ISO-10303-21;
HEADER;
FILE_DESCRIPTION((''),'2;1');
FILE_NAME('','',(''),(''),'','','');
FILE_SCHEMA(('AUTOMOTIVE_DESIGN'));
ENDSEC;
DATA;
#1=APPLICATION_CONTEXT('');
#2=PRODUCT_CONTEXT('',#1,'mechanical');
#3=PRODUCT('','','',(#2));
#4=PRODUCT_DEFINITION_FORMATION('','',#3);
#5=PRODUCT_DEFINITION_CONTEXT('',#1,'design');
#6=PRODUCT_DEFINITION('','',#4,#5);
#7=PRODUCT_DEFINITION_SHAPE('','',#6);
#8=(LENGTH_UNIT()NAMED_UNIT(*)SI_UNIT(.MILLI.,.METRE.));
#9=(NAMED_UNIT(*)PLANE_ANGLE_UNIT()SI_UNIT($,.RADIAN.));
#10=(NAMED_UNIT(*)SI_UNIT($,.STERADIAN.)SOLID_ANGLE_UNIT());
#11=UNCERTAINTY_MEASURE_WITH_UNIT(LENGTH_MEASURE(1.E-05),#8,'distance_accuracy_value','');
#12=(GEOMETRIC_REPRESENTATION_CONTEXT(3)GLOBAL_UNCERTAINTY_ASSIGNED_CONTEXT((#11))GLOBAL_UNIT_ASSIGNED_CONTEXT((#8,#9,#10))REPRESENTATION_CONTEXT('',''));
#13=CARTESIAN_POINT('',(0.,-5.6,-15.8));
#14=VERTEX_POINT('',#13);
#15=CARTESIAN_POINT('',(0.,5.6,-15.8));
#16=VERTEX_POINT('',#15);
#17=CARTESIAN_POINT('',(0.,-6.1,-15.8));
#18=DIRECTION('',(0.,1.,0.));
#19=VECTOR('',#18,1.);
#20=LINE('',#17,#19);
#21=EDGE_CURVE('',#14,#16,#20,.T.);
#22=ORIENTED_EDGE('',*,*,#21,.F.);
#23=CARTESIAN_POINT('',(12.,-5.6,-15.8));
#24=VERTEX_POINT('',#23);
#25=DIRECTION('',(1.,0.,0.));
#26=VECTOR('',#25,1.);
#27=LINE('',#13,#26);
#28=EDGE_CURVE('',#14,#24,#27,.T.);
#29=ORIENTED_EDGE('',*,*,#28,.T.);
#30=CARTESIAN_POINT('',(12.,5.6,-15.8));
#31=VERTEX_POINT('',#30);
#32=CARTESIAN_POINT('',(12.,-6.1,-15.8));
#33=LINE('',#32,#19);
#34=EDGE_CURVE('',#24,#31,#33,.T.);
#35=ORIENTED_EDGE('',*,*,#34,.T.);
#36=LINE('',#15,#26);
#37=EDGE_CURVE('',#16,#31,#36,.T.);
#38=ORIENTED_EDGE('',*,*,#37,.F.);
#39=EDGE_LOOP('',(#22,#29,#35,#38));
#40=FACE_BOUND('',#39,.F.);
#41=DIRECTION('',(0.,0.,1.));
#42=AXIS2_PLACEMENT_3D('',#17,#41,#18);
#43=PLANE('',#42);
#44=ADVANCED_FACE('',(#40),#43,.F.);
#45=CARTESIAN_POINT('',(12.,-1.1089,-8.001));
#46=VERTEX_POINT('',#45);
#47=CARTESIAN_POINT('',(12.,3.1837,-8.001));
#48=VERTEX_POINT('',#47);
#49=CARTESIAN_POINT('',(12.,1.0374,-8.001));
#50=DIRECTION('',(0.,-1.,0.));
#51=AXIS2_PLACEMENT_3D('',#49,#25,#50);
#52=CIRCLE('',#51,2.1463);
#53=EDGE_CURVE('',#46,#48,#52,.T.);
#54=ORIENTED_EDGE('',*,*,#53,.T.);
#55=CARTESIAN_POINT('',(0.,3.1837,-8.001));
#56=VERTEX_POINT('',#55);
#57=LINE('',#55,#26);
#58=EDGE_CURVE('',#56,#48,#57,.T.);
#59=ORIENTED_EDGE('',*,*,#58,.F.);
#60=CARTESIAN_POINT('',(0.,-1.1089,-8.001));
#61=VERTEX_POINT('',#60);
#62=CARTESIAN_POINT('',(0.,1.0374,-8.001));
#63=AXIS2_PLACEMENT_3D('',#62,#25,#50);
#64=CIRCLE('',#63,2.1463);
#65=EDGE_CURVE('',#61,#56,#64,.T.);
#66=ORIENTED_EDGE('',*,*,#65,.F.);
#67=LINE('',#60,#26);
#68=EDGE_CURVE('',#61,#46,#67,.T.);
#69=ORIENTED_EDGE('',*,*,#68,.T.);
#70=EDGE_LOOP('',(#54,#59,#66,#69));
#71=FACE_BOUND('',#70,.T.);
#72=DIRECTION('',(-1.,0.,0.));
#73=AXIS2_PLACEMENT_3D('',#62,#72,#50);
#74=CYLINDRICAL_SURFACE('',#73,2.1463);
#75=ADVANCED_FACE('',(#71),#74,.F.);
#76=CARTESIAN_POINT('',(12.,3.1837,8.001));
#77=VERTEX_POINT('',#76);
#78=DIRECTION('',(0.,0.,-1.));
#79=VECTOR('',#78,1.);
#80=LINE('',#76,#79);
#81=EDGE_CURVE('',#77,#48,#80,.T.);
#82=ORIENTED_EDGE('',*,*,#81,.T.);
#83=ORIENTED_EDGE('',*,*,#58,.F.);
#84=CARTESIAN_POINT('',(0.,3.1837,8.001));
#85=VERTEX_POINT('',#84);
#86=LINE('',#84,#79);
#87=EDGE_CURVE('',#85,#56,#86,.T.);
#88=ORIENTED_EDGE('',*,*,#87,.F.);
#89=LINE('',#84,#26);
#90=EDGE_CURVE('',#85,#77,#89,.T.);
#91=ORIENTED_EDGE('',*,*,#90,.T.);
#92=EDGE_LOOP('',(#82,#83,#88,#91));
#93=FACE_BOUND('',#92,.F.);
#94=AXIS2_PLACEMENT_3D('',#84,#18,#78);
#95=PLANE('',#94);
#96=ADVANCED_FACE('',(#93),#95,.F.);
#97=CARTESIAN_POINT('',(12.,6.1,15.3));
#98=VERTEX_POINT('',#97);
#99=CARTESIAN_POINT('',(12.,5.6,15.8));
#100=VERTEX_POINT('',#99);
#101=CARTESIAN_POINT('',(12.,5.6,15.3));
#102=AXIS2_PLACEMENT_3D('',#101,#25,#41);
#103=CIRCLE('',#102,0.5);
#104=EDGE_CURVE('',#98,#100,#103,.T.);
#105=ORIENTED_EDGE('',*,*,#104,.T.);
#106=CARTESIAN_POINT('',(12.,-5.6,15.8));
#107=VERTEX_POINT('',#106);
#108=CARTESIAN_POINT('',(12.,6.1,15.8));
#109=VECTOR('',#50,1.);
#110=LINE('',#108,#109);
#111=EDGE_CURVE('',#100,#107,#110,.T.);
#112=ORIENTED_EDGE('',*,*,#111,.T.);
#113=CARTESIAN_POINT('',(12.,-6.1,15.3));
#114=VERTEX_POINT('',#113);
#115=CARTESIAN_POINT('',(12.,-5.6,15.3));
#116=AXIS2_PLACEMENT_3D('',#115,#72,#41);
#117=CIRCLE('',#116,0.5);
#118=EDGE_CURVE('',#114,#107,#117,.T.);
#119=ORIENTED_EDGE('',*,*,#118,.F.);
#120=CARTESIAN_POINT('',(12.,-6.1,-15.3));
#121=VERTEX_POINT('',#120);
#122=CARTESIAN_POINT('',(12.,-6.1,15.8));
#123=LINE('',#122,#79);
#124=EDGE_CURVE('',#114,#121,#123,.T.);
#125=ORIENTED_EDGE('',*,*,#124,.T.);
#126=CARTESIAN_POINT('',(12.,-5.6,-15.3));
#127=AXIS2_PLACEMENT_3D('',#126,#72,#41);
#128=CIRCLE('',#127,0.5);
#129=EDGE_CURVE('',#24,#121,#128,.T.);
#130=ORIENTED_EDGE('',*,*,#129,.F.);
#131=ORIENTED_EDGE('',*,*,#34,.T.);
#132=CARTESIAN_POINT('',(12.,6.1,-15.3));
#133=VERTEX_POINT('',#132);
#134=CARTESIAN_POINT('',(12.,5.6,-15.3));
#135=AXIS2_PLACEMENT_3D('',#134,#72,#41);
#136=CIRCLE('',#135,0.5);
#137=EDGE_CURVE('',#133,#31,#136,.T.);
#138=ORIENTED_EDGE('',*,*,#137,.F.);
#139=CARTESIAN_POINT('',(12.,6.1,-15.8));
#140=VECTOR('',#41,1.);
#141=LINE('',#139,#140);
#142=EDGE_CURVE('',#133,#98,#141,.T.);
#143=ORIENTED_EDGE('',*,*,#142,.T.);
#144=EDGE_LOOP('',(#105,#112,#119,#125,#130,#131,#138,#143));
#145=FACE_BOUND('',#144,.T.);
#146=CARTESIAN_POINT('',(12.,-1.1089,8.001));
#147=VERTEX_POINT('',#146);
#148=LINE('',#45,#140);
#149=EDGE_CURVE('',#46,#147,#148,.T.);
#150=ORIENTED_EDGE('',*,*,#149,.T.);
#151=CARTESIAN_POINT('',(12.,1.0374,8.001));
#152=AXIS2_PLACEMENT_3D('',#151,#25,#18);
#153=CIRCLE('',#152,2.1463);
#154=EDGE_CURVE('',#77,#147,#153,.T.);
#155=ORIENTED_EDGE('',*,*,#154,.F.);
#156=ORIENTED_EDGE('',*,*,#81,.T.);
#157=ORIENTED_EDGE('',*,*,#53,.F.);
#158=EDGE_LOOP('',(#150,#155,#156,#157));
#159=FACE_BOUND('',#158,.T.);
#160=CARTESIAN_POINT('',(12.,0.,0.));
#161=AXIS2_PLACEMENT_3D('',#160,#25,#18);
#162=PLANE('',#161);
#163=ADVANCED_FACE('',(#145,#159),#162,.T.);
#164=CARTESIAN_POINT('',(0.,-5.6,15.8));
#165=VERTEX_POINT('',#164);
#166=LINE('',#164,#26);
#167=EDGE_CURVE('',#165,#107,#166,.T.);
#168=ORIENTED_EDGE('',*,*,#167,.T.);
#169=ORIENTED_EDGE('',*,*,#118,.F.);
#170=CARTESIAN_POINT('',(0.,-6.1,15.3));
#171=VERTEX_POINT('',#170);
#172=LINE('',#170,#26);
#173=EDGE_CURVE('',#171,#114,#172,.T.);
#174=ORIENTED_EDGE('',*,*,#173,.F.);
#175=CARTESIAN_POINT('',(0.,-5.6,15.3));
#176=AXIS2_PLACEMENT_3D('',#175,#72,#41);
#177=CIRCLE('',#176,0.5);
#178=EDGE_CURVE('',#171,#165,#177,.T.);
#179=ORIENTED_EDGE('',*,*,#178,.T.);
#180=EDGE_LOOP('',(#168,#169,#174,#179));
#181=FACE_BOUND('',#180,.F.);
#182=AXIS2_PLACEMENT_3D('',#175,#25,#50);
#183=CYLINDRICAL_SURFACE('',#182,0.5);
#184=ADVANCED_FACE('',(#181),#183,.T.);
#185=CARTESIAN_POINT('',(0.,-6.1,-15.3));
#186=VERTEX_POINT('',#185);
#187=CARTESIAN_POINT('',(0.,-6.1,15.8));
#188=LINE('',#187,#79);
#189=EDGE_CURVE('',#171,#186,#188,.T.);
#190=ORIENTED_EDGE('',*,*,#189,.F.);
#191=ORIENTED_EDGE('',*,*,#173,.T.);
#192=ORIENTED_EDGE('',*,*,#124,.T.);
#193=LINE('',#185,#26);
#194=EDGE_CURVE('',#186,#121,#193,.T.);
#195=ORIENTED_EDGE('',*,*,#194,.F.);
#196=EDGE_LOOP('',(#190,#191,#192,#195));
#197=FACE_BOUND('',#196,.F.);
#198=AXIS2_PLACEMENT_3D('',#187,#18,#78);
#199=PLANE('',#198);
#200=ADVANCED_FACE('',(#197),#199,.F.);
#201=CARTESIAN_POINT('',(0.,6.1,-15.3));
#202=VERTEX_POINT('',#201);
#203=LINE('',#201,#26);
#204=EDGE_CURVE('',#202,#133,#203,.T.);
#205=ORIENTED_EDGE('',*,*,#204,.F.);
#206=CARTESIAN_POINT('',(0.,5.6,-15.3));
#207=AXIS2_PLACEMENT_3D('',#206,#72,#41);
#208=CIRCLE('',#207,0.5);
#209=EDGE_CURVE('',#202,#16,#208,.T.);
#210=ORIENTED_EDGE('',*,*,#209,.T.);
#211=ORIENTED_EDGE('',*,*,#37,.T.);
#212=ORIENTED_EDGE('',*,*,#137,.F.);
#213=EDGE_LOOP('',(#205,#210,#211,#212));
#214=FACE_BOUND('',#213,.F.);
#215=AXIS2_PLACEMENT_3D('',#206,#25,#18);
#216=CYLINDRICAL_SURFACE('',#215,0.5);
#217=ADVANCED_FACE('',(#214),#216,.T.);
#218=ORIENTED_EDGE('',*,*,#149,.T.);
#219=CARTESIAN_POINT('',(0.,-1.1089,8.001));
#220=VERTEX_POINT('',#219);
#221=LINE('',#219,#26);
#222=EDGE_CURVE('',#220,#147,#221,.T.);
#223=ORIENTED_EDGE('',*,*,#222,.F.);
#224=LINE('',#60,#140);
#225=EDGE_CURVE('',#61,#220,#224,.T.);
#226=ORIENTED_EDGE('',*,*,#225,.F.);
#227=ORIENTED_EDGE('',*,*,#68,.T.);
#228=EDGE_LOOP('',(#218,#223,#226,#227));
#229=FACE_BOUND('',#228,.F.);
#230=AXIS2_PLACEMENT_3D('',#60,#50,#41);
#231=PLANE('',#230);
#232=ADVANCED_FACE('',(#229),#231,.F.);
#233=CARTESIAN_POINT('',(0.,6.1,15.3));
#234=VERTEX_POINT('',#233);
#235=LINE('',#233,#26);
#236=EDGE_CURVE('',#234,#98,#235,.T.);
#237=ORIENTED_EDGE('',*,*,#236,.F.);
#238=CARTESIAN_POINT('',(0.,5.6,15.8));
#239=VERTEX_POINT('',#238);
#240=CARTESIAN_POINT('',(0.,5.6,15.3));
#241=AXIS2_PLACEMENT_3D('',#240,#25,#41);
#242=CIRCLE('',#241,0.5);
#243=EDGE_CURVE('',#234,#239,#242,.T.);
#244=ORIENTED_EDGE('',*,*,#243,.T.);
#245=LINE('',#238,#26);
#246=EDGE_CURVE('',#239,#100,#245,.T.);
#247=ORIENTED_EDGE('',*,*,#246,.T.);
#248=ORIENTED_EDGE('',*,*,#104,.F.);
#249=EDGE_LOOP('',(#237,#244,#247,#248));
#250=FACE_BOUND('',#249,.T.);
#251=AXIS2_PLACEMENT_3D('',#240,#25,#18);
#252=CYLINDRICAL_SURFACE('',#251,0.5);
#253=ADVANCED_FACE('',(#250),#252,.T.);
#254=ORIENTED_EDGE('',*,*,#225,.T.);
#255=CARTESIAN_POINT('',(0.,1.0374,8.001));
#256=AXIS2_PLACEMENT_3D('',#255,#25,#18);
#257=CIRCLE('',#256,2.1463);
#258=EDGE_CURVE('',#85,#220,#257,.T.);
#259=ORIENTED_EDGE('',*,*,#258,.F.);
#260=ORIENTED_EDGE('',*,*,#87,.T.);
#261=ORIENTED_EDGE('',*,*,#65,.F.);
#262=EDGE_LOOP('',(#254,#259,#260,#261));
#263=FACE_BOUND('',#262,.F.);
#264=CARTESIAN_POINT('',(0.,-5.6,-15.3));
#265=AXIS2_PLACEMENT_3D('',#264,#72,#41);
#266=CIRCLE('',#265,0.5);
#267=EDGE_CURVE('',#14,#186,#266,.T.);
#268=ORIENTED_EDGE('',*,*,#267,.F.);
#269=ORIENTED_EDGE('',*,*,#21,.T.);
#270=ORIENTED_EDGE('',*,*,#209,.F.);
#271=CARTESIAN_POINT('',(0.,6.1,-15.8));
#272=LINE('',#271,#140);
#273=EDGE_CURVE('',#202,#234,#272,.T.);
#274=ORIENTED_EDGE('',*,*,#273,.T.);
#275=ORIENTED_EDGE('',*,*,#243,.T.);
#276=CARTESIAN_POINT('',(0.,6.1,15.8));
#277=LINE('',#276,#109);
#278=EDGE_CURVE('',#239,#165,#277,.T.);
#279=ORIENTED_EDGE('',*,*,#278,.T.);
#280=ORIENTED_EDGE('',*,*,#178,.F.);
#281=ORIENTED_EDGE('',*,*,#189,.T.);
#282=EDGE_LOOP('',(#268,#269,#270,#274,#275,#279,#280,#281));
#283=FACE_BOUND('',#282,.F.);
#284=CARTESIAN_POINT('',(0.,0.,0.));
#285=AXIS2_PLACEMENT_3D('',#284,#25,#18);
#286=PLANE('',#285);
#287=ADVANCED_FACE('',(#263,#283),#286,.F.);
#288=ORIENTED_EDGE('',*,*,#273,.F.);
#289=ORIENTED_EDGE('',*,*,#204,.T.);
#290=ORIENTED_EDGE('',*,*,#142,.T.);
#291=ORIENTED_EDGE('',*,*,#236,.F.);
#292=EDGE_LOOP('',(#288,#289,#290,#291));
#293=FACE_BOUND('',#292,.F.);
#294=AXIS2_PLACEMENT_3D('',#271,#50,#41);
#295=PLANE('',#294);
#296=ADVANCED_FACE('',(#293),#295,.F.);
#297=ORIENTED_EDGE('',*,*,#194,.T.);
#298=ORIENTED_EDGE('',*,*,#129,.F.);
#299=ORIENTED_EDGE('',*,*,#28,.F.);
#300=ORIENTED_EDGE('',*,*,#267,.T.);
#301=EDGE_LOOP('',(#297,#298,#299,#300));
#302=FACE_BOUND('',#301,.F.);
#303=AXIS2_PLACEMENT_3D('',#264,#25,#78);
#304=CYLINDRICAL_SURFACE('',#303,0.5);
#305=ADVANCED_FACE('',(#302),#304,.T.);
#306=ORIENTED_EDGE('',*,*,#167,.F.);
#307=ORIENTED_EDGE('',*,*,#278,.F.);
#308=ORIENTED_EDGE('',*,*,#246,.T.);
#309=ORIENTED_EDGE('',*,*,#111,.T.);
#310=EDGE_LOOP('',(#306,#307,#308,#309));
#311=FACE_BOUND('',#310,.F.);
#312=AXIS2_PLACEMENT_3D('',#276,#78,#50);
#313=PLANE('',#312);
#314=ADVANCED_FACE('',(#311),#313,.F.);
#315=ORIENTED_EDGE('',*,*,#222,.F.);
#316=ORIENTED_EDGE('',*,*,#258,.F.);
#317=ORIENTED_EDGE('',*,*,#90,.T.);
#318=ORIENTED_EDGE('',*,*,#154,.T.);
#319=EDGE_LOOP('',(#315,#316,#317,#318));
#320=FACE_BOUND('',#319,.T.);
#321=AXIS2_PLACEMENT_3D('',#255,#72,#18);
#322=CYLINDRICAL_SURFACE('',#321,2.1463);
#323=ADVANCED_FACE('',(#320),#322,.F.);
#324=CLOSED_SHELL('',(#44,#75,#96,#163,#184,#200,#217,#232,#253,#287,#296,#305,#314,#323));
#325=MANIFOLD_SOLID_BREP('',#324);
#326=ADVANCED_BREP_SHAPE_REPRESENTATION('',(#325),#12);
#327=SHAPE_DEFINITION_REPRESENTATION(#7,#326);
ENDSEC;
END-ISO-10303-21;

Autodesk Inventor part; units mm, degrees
ref_plane "YZ Plane" through (0, 0, 0) normal (1, 0, 0) x (0, 1, 0)
ref_plane "XZ Plane" through (0, 0, 0) normal (0, 1, 0) x (-1, 0, 0)
ref_plane "XY Plane" through (0, 0, 0) normal (0, 0, 1) x (1, 0, 0)
sketch "Sketch1" plane through (0, 0, 0) normal (1, 0, 0) x (0, 1, 0)
  line L0 (6.1, 15.8) -> (-6.1, 15.8)
  line L1 (-6.1, 15.8) -> (-6.1, -15.8)
  line L2 (-6.1, -15.8) -> (6.1, -15.8)
  line L3 (6.1, -15.8) -> (6.1, 15.8)
  line L4 (6.1, 15.8) -> (-6.1, -15.8) construction
  line L5 (-6.1, 15.8) -> (6.1, -15.8) construction
  line L6 (1.0374, 8.001) -> (1.0374, -8.001) construction
  line L7 (3.1837, 8.001) -> (3.1837, -8.001)
  line L8 (-1.1089, -8.001) -> (-1.1089, 8.001)
  arc A0 (3.1837, 8.001) -> (-1.1089, 8.001) centre (1.0374, 8.001) ccw
  arc A1 (-1.1089, -8.001) -> (3.1837, -8.001) centre (1.0374, -8.001) ccw
  point P0 (0, 0)
  point P1 (1.0374, 0)
  dimension "d0" = 12.2
  dimension "d1" = 31.6
  dimension "d4" = 7.1374
  dimension "d5" = 16.002
  dimension "d6" = 4.2926
extrude "Extrusion1" add sketch "Sketch1" along normal blind 12
fillet "Fillet1" radius 0.5 4 edges at (6, -6.1, 15.8) (6, 6.1, 15.8) (6, 6.1, -15.8) (6, -6.1, -15.8)
properties part number "3DPRINT,LIMIT_SWITCH,SPACER,RIGHT" material "ABS Plastic"
